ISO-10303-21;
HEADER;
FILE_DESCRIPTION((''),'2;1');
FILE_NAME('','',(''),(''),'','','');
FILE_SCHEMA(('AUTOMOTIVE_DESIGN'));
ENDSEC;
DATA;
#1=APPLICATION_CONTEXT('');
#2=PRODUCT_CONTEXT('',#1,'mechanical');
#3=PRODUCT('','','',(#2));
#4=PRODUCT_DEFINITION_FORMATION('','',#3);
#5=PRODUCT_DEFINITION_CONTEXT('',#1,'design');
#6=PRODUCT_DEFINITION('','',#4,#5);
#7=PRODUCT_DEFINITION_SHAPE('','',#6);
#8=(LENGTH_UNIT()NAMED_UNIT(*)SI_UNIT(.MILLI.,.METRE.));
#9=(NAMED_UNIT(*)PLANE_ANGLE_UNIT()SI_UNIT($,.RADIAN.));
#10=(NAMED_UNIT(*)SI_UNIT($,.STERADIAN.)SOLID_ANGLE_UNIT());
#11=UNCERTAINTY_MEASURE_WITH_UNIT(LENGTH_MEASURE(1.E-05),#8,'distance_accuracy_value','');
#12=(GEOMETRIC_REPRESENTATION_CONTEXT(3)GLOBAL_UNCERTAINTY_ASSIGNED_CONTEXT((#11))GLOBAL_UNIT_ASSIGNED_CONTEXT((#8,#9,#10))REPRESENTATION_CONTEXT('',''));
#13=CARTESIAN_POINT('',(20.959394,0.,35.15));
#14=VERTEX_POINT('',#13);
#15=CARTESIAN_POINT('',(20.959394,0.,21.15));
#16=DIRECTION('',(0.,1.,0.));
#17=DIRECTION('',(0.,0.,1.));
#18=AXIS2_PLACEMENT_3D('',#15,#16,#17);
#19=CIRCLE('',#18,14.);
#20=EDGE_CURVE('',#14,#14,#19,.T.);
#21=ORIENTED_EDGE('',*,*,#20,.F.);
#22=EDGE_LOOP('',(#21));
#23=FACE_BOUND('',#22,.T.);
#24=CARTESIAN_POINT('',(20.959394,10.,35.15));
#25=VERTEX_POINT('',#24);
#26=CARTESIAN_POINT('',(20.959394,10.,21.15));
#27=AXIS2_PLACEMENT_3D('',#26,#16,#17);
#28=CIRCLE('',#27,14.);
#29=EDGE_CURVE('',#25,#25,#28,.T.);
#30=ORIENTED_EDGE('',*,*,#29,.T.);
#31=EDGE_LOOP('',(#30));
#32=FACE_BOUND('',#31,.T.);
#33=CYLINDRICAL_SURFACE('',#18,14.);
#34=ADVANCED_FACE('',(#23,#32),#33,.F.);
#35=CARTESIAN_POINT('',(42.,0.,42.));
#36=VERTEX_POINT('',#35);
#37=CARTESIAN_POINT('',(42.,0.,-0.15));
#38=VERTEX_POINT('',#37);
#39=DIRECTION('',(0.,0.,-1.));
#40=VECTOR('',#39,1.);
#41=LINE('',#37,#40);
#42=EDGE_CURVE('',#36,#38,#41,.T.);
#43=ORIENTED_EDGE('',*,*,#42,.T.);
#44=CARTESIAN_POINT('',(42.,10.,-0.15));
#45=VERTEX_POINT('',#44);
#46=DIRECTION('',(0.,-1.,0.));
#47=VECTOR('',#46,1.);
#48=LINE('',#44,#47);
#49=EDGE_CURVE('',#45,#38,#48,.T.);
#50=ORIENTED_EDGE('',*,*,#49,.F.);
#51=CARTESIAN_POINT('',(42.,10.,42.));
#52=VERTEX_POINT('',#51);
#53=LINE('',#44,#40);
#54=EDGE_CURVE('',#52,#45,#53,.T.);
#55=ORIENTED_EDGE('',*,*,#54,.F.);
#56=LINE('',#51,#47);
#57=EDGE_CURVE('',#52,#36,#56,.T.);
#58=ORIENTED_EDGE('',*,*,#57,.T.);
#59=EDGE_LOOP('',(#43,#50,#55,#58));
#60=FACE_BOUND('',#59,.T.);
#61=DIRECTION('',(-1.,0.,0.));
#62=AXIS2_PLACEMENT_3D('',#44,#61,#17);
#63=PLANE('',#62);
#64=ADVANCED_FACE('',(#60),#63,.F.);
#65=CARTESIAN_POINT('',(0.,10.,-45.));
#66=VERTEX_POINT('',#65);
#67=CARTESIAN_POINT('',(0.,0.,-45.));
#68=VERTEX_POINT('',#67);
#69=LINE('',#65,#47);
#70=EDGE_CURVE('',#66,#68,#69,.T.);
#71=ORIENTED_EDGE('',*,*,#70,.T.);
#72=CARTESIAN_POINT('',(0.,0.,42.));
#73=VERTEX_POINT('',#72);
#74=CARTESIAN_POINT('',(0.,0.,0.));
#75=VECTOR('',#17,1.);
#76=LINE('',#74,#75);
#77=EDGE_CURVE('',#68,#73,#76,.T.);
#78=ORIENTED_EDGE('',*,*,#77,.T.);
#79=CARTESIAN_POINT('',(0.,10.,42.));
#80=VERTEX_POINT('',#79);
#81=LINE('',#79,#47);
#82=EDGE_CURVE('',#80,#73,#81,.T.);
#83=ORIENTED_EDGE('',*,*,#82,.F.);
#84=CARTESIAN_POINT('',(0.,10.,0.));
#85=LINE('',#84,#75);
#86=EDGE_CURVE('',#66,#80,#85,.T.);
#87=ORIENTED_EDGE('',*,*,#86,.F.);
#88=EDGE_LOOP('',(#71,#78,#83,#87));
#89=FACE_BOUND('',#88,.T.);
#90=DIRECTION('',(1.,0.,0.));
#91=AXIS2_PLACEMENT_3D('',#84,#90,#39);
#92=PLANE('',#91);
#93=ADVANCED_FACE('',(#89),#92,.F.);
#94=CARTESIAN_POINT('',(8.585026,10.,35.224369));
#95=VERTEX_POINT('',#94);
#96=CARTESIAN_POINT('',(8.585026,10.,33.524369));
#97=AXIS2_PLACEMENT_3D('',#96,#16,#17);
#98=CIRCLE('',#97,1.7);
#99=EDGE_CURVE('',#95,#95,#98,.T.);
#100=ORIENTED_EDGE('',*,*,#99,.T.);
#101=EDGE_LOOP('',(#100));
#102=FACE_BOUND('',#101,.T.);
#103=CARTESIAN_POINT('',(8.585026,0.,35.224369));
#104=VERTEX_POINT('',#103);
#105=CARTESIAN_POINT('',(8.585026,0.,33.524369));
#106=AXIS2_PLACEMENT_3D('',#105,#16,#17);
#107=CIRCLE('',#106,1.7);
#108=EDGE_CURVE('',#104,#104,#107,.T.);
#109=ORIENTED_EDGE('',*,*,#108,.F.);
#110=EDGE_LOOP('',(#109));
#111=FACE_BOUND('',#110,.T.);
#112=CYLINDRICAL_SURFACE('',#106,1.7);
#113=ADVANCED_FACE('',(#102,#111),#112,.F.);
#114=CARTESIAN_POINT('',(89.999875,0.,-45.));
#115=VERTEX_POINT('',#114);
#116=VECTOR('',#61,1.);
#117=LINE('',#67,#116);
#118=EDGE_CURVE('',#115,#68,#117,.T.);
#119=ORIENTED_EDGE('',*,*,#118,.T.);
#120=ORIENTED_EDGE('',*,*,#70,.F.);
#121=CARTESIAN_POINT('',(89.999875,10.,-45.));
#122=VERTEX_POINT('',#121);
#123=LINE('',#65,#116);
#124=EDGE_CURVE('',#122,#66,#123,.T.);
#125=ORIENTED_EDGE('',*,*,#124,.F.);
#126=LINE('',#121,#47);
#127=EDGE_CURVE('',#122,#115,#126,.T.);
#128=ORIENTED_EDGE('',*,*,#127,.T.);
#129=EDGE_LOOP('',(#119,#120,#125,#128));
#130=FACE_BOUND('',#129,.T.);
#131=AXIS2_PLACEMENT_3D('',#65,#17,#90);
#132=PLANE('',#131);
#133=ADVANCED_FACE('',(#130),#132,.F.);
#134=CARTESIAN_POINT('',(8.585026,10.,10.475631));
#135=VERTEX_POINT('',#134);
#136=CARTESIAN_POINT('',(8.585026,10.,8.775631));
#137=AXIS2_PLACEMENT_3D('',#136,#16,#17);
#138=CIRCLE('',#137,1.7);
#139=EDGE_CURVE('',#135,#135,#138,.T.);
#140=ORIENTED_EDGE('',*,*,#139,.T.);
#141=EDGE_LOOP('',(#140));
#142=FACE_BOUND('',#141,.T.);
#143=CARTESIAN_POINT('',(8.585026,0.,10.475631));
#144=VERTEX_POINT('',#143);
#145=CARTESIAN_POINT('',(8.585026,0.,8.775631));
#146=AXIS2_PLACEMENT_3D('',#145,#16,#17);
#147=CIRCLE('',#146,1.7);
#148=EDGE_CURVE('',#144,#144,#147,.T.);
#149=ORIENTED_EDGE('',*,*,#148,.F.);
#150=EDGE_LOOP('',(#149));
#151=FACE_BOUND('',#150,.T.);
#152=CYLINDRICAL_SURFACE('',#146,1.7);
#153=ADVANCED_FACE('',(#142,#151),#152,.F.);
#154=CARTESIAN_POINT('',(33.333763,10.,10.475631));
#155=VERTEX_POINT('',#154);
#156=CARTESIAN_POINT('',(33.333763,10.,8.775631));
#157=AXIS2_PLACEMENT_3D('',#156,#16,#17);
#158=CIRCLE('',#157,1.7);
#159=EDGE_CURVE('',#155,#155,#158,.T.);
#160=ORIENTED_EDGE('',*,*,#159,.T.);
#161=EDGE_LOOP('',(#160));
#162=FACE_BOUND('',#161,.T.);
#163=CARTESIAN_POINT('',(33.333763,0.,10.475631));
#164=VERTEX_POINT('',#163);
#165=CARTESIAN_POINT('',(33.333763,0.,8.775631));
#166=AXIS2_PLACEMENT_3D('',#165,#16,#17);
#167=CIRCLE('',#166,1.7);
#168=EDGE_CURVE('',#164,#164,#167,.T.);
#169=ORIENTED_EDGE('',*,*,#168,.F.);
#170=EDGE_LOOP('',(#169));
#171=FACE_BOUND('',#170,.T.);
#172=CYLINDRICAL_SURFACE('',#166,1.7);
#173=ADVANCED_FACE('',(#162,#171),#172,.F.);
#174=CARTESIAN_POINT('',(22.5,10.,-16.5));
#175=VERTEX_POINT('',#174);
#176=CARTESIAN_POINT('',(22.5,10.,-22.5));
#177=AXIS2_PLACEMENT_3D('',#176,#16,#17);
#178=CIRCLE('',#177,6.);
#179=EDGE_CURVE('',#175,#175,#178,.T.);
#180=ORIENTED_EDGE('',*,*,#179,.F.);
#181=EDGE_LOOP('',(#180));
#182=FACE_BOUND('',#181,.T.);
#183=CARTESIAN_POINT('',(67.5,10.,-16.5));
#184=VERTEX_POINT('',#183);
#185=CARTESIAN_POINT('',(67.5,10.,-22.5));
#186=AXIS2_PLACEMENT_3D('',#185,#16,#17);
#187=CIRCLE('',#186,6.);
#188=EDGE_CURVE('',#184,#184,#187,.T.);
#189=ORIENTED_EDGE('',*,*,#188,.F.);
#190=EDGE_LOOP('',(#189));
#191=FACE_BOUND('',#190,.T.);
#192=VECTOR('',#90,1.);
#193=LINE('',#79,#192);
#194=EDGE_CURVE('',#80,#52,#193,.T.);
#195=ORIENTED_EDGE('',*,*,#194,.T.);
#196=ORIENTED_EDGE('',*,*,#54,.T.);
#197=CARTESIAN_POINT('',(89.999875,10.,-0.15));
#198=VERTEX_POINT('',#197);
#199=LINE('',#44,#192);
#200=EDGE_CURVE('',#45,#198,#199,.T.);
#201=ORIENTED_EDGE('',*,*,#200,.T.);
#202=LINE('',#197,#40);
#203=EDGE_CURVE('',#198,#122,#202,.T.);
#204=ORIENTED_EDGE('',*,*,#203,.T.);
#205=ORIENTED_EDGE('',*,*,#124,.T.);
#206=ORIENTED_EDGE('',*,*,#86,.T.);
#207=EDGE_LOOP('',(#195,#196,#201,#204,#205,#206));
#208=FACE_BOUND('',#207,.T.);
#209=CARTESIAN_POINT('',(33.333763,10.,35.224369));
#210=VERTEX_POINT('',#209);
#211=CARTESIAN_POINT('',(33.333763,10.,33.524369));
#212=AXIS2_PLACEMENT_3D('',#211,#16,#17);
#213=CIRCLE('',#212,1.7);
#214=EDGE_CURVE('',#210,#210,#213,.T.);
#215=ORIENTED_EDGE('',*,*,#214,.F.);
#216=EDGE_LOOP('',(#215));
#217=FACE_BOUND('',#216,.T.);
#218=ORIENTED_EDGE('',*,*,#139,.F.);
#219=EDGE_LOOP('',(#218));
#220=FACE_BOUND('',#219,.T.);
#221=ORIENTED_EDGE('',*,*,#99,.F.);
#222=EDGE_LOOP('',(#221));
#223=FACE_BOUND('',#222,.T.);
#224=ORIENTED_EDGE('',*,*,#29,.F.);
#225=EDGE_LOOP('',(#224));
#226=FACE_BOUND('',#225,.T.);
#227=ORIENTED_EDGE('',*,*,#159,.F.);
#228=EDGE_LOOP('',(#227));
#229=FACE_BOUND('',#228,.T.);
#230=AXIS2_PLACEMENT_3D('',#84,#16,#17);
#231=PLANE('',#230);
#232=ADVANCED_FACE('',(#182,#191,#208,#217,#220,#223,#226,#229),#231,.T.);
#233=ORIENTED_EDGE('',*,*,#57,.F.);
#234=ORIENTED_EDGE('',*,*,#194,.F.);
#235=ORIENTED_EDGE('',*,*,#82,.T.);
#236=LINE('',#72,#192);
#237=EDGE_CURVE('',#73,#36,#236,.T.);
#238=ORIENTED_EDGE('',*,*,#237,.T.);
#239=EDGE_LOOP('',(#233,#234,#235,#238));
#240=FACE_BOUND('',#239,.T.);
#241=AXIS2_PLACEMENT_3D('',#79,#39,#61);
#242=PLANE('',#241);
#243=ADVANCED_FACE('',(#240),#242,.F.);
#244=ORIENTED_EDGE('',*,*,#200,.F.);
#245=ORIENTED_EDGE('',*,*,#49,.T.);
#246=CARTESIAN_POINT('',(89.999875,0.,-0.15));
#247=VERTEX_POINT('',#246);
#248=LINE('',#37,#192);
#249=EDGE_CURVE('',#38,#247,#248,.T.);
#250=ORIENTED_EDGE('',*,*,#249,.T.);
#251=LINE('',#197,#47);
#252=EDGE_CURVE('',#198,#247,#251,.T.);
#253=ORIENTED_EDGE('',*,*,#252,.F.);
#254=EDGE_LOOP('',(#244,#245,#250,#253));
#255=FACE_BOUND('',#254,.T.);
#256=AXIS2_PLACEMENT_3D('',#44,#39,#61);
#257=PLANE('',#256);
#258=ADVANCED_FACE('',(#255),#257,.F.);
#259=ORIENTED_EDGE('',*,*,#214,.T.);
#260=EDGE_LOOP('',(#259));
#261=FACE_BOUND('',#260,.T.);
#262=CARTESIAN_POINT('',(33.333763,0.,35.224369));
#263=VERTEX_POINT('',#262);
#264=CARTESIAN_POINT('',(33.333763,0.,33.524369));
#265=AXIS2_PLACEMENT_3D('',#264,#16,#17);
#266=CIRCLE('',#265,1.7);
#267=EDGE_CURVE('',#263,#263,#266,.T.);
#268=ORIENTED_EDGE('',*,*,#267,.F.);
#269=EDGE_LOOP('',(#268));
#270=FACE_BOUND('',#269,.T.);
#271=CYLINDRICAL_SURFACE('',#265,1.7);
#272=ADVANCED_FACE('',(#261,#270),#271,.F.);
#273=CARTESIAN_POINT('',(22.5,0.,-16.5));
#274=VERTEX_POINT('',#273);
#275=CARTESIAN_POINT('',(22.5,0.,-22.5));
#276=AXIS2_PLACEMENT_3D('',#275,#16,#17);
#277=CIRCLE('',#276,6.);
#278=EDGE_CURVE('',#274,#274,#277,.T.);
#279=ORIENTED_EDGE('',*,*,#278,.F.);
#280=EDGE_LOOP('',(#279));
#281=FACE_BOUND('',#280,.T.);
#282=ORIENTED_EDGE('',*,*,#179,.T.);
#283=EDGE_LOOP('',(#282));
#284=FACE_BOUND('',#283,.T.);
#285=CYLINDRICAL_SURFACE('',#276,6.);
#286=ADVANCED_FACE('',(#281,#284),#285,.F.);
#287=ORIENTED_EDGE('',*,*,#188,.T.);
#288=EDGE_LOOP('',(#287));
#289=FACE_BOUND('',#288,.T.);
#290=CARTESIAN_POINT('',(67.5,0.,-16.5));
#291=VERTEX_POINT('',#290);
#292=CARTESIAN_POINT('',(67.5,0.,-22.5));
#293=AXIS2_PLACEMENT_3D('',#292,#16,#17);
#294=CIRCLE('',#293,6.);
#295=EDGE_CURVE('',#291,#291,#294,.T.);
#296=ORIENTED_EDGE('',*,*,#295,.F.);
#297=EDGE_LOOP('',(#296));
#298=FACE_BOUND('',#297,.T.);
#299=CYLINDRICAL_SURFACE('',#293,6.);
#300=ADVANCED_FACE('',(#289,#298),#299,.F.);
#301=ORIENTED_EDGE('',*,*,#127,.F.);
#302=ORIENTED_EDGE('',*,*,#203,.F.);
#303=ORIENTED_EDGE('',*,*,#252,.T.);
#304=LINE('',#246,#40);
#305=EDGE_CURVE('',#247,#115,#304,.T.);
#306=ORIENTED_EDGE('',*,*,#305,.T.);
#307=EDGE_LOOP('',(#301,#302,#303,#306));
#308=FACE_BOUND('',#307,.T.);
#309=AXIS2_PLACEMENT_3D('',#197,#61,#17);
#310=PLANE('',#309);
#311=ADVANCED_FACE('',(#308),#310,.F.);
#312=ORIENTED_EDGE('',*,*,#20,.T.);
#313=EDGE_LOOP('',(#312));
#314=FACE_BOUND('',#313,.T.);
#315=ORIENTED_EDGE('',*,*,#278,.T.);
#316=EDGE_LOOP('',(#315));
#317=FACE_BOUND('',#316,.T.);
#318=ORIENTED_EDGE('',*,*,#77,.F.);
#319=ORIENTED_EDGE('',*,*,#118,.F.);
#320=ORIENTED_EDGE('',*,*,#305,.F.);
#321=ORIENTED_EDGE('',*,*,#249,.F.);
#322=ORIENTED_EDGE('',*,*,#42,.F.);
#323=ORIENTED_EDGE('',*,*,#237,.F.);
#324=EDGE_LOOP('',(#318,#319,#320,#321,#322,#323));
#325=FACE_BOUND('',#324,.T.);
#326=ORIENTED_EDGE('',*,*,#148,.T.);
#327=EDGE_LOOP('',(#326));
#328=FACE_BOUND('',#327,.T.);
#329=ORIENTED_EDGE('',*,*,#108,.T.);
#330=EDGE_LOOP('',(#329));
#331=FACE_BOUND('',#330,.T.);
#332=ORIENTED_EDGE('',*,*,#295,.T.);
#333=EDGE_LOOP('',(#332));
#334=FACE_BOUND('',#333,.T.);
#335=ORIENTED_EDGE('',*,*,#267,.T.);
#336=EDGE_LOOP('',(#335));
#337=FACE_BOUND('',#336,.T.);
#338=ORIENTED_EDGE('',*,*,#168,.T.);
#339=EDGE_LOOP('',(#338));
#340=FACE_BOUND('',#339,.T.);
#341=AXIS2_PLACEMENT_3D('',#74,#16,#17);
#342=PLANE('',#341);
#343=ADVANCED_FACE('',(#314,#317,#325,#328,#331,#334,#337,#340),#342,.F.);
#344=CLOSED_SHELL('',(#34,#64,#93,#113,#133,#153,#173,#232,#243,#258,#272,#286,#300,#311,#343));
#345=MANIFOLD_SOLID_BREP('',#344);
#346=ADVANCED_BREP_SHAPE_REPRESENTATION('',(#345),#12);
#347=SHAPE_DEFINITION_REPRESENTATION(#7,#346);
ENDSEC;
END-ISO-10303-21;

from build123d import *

# Parameters (mm, degrees)
EXTRUDE_1_DEPTH     = 10
SKETCH_2_R          = 6
CUT_EXTRUDE_1_DEPTH = 11
SKETCH_3_R          = 14
SKETCH_3_R_2        = 1.7
CUT_EXTRUDE_2_DEPTH = 11


with BuildPart() as part:
    # Эскиз1 → Бобышка-Вытянуть1 (new body)
    with BuildSketch(Plane(origin=(0, 0, 0), x_dir=(1, 0, 0), z_dir=(0, 1, 0))):
        Polygon((42, 0.149999792), (89.999875, 0.149999792), (89.999875, 45), (0, 45), (0, 0), (0, -42), (42, -42), align=None)
    extrude(amount=EXTRUDE_1_DEPTH)

    # Эскиз2 → Вырез-Вытянуть1 (cut, through all)
    with BuildSketch(Plane(origin=(0, 10, 0), x_dir=(1, 0, 0), z_dir=(0, 1, 0))):
        with Locations((67.5, 22.5)):
            Circle(SKETCH_2_R)
        with Locations((22.5, 22.5)):
            Circle(SKETCH_2_R)
    extrude(amount=-CUT_EXTRUDE_1_DEPTH, mode=Mode.SUBTRACT)

    # Эскиз3 → Вырез-Вытянуть2 (cut, through all)
    with BuildSketch(Plane(origin=(0, 10, 0), x_dir=(1, 0, 0), z_dir=(0, 1, 0))):
        with Locations((20.959394321, -21.15)):
            Circle(SKETCH_3_R)
        with Locations((33.333762992, -33.524368671)):
            Circle(SKETCH_3_R_2)
        with Locations((8.585025651, -33.524368671)):
            Circle(SKETCH_3_R_2)
        with Locations((8.585025651, -8.775631329)):
            Circle(SKETCH_3_R_2)
        with Locations((33.333762992, -8.775631329)):
            Circle(SKETCH_3_R_2)
    extrude(amount=-CUT_EXTRUDE_2_DEPTH, mode=Mode.SUBTRACT)


solid = part.part
